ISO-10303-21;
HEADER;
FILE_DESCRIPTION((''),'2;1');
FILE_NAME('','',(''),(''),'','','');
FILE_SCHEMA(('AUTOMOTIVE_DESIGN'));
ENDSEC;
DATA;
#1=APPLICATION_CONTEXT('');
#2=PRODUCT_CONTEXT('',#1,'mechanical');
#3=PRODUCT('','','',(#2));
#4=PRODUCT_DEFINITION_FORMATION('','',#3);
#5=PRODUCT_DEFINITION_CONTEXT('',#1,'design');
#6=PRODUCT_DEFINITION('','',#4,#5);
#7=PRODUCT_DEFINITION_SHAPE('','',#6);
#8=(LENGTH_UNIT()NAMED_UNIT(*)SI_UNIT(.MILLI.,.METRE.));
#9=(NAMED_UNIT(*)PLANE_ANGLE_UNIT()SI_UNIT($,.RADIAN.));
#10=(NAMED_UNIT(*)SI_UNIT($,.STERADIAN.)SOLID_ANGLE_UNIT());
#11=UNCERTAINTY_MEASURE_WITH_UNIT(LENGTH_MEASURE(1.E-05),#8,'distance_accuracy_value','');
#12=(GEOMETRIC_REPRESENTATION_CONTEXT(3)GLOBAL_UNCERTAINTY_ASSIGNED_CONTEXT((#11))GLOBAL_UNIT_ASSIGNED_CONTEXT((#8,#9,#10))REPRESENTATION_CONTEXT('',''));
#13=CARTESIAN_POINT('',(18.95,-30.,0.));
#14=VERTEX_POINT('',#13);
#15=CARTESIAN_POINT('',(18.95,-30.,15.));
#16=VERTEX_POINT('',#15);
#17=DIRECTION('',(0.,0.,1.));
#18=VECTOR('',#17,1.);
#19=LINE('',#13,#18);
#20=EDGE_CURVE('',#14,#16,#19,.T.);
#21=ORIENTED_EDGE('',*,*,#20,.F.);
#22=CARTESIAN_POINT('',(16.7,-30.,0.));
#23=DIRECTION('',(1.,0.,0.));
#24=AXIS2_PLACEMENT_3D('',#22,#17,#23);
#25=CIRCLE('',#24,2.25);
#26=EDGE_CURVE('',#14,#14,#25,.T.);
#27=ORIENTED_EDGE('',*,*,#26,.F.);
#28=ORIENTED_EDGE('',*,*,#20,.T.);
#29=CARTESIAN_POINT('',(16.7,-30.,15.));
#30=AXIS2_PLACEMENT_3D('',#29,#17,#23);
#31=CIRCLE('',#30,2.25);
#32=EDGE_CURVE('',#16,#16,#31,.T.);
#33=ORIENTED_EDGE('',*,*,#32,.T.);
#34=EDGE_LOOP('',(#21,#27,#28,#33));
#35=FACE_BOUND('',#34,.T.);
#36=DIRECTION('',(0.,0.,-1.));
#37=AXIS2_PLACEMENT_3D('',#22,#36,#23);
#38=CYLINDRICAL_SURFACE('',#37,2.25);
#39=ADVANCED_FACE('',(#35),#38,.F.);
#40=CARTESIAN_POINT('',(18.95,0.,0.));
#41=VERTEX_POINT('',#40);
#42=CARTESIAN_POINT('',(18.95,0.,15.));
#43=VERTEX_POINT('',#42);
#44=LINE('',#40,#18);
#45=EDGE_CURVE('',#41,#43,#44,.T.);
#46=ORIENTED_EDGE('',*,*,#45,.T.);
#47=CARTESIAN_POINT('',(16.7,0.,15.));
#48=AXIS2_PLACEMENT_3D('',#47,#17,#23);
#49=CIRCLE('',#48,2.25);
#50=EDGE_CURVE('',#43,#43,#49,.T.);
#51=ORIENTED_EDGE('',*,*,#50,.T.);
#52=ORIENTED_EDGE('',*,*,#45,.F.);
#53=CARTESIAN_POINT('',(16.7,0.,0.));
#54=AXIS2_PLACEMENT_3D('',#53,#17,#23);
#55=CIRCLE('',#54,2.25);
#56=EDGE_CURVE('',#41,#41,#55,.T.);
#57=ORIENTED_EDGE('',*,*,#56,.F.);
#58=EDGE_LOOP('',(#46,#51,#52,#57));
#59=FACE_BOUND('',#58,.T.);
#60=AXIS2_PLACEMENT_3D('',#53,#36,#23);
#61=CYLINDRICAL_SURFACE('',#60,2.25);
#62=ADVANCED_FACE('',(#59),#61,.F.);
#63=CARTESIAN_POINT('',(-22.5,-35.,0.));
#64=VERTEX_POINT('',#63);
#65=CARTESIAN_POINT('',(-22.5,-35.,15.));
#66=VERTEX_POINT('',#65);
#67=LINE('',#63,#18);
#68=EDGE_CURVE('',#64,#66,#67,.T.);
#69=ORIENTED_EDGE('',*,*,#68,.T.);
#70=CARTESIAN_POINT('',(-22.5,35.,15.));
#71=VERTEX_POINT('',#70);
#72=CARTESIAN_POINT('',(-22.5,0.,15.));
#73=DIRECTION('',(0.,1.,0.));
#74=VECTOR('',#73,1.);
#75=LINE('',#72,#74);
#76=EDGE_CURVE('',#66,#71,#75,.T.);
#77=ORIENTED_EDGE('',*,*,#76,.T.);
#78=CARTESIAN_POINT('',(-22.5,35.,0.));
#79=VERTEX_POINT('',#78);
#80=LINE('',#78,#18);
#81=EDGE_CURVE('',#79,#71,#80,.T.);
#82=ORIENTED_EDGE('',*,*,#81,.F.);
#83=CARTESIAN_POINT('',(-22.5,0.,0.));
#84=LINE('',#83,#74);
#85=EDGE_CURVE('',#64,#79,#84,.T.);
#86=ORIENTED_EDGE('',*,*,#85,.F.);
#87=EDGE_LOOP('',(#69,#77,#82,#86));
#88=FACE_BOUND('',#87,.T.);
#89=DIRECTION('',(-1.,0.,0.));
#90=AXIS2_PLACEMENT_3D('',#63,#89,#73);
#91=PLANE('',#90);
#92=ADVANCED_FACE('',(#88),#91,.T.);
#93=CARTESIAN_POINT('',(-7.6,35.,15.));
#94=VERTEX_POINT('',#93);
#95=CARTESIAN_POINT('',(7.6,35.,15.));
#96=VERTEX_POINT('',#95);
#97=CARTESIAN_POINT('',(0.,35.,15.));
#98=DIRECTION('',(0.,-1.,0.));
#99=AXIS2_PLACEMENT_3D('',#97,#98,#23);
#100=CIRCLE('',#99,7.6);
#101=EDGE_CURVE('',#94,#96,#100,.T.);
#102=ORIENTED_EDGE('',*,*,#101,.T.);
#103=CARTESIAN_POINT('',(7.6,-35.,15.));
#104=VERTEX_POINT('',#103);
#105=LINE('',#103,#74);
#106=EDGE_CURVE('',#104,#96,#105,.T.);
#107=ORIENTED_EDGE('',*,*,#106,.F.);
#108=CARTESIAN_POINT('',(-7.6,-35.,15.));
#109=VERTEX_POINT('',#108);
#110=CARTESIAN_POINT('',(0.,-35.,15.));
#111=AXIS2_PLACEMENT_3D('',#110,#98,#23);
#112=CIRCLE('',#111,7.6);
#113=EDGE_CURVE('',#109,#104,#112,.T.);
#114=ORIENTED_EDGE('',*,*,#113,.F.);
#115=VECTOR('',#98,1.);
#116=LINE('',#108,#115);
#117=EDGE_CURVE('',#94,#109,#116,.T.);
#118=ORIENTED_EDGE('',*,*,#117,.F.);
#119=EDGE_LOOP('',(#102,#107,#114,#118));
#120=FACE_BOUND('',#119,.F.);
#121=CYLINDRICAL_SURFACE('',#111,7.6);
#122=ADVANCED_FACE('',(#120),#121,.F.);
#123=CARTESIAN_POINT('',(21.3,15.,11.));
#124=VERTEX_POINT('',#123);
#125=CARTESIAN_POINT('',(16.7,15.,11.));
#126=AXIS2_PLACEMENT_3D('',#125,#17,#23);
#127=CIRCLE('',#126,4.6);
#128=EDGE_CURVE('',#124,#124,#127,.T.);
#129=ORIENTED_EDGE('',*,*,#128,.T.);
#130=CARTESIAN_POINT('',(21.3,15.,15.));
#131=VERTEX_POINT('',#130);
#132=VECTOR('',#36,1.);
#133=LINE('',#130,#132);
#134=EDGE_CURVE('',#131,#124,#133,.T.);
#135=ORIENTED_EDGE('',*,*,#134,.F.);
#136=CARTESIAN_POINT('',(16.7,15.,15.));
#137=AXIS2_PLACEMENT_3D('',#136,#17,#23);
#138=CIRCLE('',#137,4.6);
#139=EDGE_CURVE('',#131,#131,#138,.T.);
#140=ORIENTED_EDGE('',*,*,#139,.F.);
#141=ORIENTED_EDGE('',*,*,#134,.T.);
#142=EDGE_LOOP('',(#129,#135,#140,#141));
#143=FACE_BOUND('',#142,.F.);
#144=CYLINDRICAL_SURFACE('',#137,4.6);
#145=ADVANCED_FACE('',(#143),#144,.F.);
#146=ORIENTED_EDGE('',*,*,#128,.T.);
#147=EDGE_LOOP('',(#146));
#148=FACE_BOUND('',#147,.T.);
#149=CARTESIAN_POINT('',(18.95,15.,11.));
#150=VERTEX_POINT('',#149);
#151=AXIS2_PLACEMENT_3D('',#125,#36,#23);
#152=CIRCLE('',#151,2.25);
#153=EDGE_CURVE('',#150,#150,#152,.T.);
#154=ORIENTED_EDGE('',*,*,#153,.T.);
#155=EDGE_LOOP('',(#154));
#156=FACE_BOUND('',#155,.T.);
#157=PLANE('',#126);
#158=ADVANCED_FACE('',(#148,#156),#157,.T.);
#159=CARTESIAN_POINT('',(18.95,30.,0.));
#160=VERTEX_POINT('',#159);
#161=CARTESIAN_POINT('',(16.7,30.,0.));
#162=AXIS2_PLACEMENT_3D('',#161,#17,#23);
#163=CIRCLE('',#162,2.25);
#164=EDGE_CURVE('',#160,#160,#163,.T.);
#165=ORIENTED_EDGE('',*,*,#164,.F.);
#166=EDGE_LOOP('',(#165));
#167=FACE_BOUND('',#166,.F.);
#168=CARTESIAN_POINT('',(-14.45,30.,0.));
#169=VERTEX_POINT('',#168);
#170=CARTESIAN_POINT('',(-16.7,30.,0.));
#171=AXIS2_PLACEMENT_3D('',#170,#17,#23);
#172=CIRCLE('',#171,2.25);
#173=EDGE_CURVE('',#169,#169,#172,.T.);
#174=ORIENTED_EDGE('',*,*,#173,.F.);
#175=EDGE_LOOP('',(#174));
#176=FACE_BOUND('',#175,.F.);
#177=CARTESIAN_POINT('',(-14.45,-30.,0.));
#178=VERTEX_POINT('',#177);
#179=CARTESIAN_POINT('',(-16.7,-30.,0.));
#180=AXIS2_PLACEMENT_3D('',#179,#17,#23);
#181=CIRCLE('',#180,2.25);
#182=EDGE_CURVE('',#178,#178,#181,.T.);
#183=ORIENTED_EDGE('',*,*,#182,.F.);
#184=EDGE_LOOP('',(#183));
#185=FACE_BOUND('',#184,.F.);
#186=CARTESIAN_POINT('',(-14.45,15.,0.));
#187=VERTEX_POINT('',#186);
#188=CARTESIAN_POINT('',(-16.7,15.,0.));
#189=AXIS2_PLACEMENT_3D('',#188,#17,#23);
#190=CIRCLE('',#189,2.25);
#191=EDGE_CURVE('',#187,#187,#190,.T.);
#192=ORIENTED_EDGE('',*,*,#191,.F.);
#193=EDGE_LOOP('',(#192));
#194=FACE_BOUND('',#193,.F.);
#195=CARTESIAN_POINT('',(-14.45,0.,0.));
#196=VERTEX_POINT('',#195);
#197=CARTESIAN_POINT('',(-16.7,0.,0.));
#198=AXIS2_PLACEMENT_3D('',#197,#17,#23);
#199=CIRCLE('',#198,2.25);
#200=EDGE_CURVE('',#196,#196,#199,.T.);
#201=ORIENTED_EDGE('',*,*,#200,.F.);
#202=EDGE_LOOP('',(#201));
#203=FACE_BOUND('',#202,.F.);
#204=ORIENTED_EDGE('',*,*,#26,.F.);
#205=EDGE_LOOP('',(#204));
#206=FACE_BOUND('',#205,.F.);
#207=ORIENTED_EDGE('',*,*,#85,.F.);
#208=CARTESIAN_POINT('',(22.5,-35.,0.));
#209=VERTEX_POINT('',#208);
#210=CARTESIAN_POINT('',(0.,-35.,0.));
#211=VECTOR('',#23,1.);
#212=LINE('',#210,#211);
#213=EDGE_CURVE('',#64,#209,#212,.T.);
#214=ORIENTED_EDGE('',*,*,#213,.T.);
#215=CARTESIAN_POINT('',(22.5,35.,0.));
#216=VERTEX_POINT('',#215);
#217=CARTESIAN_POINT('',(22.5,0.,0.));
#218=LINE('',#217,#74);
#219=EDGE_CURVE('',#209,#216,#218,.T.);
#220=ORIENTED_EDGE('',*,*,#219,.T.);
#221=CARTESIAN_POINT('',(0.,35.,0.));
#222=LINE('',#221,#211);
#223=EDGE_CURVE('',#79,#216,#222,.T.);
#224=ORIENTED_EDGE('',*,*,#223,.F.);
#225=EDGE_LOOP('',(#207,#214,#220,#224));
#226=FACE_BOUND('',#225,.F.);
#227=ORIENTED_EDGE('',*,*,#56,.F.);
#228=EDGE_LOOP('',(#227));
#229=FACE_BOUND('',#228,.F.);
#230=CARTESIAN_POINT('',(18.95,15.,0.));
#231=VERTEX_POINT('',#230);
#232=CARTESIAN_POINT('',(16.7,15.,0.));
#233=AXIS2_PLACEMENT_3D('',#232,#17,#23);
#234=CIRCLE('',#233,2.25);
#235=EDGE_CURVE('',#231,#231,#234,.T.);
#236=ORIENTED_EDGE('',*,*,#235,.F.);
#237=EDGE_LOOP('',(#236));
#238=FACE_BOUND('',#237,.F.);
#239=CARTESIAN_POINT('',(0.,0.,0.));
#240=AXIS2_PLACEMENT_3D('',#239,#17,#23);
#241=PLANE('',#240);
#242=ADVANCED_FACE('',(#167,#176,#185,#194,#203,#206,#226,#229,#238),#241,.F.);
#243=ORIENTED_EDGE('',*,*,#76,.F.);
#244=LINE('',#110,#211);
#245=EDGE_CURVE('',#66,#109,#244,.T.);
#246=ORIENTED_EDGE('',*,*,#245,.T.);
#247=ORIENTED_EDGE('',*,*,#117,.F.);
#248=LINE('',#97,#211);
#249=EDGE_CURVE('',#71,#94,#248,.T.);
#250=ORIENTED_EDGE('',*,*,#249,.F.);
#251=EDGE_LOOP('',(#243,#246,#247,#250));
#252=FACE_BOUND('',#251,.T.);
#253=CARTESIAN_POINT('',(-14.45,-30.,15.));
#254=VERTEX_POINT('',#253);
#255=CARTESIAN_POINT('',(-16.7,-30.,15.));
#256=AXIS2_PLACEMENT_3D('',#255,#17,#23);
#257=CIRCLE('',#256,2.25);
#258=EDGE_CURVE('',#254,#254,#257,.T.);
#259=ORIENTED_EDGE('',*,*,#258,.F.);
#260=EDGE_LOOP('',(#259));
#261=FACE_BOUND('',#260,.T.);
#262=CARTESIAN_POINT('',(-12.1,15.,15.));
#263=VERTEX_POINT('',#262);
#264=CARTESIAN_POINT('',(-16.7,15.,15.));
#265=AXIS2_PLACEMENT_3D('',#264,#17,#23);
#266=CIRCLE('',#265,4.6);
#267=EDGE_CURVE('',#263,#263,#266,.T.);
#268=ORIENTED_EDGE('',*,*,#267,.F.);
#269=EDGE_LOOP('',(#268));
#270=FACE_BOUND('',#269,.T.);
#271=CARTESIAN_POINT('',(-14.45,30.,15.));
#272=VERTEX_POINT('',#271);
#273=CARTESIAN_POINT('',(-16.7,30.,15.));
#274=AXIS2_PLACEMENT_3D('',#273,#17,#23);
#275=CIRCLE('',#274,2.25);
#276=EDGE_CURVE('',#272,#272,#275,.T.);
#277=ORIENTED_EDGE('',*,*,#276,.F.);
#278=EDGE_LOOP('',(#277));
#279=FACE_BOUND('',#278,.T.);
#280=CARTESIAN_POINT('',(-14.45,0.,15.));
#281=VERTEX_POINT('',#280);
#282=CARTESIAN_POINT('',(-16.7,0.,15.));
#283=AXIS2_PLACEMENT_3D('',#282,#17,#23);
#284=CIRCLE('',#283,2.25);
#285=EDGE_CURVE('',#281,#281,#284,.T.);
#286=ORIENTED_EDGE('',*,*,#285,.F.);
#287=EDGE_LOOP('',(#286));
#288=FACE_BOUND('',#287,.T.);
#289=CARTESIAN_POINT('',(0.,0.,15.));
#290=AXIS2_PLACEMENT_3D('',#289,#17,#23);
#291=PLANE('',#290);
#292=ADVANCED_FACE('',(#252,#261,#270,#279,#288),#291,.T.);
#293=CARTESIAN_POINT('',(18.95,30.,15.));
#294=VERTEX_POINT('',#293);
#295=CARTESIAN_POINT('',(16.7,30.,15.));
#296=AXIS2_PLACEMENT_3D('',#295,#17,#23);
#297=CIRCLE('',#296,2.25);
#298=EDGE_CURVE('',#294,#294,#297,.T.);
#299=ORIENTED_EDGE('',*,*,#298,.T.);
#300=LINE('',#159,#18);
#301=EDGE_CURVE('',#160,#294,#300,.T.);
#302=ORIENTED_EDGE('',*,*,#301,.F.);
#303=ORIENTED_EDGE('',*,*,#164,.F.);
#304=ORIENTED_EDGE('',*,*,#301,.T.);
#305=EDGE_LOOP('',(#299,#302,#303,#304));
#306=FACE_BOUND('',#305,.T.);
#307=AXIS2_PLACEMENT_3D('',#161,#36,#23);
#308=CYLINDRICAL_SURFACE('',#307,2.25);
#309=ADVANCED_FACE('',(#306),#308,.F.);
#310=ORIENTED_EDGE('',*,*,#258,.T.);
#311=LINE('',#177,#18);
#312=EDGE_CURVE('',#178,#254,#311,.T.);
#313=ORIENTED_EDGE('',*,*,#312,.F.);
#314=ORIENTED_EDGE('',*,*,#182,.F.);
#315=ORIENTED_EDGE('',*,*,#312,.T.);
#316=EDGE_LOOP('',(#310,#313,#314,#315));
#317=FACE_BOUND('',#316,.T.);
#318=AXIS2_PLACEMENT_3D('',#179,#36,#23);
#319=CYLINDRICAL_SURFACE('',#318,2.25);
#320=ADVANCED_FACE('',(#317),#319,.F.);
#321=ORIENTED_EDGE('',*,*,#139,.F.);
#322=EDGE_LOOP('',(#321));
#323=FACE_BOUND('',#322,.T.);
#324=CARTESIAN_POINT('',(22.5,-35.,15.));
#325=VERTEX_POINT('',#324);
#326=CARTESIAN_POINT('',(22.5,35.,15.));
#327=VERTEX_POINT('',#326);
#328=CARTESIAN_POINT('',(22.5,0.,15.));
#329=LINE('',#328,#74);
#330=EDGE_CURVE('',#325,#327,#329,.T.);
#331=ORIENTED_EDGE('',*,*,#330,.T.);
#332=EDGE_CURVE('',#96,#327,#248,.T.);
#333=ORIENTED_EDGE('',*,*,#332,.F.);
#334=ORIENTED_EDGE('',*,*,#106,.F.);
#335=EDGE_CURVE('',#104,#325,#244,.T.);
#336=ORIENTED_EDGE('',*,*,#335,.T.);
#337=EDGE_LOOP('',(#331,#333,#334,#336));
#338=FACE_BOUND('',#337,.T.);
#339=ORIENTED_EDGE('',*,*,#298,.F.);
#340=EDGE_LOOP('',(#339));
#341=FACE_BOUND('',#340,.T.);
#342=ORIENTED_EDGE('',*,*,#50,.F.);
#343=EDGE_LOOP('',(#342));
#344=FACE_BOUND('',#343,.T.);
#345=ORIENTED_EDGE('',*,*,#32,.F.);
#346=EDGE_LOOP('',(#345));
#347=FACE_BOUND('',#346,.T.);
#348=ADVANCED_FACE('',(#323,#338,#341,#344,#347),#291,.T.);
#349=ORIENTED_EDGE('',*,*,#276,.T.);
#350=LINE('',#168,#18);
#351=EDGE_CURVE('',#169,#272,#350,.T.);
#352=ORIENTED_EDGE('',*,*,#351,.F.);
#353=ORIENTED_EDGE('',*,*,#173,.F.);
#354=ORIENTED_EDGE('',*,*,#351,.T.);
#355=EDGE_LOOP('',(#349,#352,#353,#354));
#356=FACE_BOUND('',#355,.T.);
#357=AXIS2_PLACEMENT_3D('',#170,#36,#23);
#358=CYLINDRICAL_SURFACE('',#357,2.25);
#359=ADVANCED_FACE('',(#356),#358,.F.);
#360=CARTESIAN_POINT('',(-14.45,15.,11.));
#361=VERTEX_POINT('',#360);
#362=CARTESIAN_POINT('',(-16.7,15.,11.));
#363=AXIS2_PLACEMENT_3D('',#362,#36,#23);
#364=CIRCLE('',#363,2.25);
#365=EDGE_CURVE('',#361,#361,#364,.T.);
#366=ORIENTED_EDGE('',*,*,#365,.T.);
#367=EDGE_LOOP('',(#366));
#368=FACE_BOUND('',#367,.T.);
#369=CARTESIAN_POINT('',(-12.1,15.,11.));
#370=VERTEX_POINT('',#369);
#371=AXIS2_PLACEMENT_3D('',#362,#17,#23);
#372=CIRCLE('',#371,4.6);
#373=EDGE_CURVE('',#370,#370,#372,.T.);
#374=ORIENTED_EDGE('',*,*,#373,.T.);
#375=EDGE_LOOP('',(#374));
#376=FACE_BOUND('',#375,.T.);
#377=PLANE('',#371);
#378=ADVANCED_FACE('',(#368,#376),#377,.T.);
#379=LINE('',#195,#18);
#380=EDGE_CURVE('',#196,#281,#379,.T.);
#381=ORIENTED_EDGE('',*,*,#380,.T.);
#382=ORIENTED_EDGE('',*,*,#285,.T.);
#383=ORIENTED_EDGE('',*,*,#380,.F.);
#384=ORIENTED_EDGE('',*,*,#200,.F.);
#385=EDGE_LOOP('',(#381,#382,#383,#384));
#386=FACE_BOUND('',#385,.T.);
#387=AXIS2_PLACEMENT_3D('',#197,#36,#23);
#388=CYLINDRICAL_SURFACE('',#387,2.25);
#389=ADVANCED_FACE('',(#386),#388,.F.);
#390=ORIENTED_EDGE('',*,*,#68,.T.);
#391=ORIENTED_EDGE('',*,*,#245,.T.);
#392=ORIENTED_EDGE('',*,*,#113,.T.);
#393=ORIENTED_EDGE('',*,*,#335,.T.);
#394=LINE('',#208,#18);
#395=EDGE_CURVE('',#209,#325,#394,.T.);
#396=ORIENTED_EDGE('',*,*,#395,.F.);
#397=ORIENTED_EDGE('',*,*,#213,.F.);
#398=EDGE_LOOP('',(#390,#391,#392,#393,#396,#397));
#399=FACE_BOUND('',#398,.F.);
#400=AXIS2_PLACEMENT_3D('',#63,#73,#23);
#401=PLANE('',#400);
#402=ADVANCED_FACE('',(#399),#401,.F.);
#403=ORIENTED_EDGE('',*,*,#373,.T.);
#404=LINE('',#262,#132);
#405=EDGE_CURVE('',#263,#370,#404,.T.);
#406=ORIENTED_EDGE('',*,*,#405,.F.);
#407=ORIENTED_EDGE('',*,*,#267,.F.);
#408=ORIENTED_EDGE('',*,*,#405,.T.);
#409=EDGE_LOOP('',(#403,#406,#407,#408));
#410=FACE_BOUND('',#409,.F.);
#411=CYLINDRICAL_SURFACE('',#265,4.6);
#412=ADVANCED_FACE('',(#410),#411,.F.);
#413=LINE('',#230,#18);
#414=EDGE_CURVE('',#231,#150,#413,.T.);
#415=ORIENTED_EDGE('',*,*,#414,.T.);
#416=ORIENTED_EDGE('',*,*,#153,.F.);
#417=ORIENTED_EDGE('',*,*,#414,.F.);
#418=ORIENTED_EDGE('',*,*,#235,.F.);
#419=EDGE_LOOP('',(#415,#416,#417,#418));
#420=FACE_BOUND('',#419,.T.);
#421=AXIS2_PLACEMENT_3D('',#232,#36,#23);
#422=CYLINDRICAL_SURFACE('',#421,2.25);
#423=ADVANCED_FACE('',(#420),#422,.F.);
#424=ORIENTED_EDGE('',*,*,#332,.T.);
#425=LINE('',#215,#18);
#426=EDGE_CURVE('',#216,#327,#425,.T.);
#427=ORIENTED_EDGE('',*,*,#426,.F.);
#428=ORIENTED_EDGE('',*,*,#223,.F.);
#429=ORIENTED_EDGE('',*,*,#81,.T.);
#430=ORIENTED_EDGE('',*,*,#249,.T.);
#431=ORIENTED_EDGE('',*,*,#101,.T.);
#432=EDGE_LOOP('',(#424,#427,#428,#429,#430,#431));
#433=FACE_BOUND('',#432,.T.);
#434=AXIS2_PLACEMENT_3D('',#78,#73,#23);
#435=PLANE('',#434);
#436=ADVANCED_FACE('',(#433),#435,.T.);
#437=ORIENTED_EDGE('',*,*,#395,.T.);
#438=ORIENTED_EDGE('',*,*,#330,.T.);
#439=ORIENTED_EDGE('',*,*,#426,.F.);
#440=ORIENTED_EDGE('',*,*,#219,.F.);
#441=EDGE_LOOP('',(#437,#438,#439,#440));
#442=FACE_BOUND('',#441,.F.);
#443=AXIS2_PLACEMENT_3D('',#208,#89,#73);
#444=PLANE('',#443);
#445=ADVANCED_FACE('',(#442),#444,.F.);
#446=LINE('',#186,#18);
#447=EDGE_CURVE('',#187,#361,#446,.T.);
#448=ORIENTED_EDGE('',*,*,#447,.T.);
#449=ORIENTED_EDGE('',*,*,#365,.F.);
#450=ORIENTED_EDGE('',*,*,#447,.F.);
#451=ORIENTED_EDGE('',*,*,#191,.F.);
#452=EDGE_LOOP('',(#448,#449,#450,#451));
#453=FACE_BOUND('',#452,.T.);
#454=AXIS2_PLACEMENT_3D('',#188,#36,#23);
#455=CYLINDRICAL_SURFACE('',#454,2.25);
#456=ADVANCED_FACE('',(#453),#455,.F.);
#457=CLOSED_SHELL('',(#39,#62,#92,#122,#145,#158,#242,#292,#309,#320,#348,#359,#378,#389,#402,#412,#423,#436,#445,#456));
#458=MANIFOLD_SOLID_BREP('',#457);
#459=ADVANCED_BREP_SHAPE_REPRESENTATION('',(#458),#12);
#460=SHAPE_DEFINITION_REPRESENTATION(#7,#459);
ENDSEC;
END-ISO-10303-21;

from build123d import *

# Parameters (mm, degrees)
SKETCH_W        = 45
SKETCH_H        = 70
SKETCH_R        = 2.25
PAD_DEPTH       = 15
SKETCH001_R     = 7.6
POCKET_DEPTH    = 70.001
SKETCH002_R     = 4.6
POCKET001_DEPTH = 4


with BuildPart() as part:
    # Sketch → Pad (new body)
    with BuildSketch(Plane.XY):
        Rectangle(SKETCH_W, SKETCH_H)
        with Locations((-16.7, 30)):
            Circle(SKETCH_R, mode=Mode.SUBTRACT)
        with Locations((16.7, 30)):
            Circle(SKETCH_R, mode=Mode.SUBTRACT)
        with Locations((-16.7, -30)):
            Circle(SKETCH_R, mode=Mode.SUBTRACT)
        with Locations((16.7, -30)):
            Circle(SKETCH_R, mode=Mode.SUBTRACT)
        with Locations((-16.7, 0)):
            Circle(SKETCH_R, mode=Mode.SUBTRACT)
        with Locations((16.7, 0)):
            Circle(SKETCH_R, mode=Mode.SUBTRACT)
        with Locations((16.7, 15)):
            Circle(SKETCH_R, mode=Mode.SUBTRACT)
        with Locations((-16.7, 15)):
            Circle(SKETCH_R, mode=Mode.SUBTRACT)
    extrude(amount=PAD_DEPTH)

    # Sketch001 → Pocket (cut, through all)
    with BuildSketch(Plane.XZ.offset(35)):
        with Locations((0, 15)):
            Circle(SKETCH001_R)
    extrude(amount=-POCKET_DEPTH, mode=Mode.SUBTRACT)

    # Sketch002 → Pocket001 (cut)
    with BuildSketch(Plane.XY.offset(15)):
        with Locations((-16.7, 15)):
            Circle(SKETCH002_R)
        with Locations((16.7, 15)):
            Circle(SKETCH002_R)
    extrude(amount=-POCKET001_DEPTH, mode=Mode.SUBTRACT)


solid = part.part
